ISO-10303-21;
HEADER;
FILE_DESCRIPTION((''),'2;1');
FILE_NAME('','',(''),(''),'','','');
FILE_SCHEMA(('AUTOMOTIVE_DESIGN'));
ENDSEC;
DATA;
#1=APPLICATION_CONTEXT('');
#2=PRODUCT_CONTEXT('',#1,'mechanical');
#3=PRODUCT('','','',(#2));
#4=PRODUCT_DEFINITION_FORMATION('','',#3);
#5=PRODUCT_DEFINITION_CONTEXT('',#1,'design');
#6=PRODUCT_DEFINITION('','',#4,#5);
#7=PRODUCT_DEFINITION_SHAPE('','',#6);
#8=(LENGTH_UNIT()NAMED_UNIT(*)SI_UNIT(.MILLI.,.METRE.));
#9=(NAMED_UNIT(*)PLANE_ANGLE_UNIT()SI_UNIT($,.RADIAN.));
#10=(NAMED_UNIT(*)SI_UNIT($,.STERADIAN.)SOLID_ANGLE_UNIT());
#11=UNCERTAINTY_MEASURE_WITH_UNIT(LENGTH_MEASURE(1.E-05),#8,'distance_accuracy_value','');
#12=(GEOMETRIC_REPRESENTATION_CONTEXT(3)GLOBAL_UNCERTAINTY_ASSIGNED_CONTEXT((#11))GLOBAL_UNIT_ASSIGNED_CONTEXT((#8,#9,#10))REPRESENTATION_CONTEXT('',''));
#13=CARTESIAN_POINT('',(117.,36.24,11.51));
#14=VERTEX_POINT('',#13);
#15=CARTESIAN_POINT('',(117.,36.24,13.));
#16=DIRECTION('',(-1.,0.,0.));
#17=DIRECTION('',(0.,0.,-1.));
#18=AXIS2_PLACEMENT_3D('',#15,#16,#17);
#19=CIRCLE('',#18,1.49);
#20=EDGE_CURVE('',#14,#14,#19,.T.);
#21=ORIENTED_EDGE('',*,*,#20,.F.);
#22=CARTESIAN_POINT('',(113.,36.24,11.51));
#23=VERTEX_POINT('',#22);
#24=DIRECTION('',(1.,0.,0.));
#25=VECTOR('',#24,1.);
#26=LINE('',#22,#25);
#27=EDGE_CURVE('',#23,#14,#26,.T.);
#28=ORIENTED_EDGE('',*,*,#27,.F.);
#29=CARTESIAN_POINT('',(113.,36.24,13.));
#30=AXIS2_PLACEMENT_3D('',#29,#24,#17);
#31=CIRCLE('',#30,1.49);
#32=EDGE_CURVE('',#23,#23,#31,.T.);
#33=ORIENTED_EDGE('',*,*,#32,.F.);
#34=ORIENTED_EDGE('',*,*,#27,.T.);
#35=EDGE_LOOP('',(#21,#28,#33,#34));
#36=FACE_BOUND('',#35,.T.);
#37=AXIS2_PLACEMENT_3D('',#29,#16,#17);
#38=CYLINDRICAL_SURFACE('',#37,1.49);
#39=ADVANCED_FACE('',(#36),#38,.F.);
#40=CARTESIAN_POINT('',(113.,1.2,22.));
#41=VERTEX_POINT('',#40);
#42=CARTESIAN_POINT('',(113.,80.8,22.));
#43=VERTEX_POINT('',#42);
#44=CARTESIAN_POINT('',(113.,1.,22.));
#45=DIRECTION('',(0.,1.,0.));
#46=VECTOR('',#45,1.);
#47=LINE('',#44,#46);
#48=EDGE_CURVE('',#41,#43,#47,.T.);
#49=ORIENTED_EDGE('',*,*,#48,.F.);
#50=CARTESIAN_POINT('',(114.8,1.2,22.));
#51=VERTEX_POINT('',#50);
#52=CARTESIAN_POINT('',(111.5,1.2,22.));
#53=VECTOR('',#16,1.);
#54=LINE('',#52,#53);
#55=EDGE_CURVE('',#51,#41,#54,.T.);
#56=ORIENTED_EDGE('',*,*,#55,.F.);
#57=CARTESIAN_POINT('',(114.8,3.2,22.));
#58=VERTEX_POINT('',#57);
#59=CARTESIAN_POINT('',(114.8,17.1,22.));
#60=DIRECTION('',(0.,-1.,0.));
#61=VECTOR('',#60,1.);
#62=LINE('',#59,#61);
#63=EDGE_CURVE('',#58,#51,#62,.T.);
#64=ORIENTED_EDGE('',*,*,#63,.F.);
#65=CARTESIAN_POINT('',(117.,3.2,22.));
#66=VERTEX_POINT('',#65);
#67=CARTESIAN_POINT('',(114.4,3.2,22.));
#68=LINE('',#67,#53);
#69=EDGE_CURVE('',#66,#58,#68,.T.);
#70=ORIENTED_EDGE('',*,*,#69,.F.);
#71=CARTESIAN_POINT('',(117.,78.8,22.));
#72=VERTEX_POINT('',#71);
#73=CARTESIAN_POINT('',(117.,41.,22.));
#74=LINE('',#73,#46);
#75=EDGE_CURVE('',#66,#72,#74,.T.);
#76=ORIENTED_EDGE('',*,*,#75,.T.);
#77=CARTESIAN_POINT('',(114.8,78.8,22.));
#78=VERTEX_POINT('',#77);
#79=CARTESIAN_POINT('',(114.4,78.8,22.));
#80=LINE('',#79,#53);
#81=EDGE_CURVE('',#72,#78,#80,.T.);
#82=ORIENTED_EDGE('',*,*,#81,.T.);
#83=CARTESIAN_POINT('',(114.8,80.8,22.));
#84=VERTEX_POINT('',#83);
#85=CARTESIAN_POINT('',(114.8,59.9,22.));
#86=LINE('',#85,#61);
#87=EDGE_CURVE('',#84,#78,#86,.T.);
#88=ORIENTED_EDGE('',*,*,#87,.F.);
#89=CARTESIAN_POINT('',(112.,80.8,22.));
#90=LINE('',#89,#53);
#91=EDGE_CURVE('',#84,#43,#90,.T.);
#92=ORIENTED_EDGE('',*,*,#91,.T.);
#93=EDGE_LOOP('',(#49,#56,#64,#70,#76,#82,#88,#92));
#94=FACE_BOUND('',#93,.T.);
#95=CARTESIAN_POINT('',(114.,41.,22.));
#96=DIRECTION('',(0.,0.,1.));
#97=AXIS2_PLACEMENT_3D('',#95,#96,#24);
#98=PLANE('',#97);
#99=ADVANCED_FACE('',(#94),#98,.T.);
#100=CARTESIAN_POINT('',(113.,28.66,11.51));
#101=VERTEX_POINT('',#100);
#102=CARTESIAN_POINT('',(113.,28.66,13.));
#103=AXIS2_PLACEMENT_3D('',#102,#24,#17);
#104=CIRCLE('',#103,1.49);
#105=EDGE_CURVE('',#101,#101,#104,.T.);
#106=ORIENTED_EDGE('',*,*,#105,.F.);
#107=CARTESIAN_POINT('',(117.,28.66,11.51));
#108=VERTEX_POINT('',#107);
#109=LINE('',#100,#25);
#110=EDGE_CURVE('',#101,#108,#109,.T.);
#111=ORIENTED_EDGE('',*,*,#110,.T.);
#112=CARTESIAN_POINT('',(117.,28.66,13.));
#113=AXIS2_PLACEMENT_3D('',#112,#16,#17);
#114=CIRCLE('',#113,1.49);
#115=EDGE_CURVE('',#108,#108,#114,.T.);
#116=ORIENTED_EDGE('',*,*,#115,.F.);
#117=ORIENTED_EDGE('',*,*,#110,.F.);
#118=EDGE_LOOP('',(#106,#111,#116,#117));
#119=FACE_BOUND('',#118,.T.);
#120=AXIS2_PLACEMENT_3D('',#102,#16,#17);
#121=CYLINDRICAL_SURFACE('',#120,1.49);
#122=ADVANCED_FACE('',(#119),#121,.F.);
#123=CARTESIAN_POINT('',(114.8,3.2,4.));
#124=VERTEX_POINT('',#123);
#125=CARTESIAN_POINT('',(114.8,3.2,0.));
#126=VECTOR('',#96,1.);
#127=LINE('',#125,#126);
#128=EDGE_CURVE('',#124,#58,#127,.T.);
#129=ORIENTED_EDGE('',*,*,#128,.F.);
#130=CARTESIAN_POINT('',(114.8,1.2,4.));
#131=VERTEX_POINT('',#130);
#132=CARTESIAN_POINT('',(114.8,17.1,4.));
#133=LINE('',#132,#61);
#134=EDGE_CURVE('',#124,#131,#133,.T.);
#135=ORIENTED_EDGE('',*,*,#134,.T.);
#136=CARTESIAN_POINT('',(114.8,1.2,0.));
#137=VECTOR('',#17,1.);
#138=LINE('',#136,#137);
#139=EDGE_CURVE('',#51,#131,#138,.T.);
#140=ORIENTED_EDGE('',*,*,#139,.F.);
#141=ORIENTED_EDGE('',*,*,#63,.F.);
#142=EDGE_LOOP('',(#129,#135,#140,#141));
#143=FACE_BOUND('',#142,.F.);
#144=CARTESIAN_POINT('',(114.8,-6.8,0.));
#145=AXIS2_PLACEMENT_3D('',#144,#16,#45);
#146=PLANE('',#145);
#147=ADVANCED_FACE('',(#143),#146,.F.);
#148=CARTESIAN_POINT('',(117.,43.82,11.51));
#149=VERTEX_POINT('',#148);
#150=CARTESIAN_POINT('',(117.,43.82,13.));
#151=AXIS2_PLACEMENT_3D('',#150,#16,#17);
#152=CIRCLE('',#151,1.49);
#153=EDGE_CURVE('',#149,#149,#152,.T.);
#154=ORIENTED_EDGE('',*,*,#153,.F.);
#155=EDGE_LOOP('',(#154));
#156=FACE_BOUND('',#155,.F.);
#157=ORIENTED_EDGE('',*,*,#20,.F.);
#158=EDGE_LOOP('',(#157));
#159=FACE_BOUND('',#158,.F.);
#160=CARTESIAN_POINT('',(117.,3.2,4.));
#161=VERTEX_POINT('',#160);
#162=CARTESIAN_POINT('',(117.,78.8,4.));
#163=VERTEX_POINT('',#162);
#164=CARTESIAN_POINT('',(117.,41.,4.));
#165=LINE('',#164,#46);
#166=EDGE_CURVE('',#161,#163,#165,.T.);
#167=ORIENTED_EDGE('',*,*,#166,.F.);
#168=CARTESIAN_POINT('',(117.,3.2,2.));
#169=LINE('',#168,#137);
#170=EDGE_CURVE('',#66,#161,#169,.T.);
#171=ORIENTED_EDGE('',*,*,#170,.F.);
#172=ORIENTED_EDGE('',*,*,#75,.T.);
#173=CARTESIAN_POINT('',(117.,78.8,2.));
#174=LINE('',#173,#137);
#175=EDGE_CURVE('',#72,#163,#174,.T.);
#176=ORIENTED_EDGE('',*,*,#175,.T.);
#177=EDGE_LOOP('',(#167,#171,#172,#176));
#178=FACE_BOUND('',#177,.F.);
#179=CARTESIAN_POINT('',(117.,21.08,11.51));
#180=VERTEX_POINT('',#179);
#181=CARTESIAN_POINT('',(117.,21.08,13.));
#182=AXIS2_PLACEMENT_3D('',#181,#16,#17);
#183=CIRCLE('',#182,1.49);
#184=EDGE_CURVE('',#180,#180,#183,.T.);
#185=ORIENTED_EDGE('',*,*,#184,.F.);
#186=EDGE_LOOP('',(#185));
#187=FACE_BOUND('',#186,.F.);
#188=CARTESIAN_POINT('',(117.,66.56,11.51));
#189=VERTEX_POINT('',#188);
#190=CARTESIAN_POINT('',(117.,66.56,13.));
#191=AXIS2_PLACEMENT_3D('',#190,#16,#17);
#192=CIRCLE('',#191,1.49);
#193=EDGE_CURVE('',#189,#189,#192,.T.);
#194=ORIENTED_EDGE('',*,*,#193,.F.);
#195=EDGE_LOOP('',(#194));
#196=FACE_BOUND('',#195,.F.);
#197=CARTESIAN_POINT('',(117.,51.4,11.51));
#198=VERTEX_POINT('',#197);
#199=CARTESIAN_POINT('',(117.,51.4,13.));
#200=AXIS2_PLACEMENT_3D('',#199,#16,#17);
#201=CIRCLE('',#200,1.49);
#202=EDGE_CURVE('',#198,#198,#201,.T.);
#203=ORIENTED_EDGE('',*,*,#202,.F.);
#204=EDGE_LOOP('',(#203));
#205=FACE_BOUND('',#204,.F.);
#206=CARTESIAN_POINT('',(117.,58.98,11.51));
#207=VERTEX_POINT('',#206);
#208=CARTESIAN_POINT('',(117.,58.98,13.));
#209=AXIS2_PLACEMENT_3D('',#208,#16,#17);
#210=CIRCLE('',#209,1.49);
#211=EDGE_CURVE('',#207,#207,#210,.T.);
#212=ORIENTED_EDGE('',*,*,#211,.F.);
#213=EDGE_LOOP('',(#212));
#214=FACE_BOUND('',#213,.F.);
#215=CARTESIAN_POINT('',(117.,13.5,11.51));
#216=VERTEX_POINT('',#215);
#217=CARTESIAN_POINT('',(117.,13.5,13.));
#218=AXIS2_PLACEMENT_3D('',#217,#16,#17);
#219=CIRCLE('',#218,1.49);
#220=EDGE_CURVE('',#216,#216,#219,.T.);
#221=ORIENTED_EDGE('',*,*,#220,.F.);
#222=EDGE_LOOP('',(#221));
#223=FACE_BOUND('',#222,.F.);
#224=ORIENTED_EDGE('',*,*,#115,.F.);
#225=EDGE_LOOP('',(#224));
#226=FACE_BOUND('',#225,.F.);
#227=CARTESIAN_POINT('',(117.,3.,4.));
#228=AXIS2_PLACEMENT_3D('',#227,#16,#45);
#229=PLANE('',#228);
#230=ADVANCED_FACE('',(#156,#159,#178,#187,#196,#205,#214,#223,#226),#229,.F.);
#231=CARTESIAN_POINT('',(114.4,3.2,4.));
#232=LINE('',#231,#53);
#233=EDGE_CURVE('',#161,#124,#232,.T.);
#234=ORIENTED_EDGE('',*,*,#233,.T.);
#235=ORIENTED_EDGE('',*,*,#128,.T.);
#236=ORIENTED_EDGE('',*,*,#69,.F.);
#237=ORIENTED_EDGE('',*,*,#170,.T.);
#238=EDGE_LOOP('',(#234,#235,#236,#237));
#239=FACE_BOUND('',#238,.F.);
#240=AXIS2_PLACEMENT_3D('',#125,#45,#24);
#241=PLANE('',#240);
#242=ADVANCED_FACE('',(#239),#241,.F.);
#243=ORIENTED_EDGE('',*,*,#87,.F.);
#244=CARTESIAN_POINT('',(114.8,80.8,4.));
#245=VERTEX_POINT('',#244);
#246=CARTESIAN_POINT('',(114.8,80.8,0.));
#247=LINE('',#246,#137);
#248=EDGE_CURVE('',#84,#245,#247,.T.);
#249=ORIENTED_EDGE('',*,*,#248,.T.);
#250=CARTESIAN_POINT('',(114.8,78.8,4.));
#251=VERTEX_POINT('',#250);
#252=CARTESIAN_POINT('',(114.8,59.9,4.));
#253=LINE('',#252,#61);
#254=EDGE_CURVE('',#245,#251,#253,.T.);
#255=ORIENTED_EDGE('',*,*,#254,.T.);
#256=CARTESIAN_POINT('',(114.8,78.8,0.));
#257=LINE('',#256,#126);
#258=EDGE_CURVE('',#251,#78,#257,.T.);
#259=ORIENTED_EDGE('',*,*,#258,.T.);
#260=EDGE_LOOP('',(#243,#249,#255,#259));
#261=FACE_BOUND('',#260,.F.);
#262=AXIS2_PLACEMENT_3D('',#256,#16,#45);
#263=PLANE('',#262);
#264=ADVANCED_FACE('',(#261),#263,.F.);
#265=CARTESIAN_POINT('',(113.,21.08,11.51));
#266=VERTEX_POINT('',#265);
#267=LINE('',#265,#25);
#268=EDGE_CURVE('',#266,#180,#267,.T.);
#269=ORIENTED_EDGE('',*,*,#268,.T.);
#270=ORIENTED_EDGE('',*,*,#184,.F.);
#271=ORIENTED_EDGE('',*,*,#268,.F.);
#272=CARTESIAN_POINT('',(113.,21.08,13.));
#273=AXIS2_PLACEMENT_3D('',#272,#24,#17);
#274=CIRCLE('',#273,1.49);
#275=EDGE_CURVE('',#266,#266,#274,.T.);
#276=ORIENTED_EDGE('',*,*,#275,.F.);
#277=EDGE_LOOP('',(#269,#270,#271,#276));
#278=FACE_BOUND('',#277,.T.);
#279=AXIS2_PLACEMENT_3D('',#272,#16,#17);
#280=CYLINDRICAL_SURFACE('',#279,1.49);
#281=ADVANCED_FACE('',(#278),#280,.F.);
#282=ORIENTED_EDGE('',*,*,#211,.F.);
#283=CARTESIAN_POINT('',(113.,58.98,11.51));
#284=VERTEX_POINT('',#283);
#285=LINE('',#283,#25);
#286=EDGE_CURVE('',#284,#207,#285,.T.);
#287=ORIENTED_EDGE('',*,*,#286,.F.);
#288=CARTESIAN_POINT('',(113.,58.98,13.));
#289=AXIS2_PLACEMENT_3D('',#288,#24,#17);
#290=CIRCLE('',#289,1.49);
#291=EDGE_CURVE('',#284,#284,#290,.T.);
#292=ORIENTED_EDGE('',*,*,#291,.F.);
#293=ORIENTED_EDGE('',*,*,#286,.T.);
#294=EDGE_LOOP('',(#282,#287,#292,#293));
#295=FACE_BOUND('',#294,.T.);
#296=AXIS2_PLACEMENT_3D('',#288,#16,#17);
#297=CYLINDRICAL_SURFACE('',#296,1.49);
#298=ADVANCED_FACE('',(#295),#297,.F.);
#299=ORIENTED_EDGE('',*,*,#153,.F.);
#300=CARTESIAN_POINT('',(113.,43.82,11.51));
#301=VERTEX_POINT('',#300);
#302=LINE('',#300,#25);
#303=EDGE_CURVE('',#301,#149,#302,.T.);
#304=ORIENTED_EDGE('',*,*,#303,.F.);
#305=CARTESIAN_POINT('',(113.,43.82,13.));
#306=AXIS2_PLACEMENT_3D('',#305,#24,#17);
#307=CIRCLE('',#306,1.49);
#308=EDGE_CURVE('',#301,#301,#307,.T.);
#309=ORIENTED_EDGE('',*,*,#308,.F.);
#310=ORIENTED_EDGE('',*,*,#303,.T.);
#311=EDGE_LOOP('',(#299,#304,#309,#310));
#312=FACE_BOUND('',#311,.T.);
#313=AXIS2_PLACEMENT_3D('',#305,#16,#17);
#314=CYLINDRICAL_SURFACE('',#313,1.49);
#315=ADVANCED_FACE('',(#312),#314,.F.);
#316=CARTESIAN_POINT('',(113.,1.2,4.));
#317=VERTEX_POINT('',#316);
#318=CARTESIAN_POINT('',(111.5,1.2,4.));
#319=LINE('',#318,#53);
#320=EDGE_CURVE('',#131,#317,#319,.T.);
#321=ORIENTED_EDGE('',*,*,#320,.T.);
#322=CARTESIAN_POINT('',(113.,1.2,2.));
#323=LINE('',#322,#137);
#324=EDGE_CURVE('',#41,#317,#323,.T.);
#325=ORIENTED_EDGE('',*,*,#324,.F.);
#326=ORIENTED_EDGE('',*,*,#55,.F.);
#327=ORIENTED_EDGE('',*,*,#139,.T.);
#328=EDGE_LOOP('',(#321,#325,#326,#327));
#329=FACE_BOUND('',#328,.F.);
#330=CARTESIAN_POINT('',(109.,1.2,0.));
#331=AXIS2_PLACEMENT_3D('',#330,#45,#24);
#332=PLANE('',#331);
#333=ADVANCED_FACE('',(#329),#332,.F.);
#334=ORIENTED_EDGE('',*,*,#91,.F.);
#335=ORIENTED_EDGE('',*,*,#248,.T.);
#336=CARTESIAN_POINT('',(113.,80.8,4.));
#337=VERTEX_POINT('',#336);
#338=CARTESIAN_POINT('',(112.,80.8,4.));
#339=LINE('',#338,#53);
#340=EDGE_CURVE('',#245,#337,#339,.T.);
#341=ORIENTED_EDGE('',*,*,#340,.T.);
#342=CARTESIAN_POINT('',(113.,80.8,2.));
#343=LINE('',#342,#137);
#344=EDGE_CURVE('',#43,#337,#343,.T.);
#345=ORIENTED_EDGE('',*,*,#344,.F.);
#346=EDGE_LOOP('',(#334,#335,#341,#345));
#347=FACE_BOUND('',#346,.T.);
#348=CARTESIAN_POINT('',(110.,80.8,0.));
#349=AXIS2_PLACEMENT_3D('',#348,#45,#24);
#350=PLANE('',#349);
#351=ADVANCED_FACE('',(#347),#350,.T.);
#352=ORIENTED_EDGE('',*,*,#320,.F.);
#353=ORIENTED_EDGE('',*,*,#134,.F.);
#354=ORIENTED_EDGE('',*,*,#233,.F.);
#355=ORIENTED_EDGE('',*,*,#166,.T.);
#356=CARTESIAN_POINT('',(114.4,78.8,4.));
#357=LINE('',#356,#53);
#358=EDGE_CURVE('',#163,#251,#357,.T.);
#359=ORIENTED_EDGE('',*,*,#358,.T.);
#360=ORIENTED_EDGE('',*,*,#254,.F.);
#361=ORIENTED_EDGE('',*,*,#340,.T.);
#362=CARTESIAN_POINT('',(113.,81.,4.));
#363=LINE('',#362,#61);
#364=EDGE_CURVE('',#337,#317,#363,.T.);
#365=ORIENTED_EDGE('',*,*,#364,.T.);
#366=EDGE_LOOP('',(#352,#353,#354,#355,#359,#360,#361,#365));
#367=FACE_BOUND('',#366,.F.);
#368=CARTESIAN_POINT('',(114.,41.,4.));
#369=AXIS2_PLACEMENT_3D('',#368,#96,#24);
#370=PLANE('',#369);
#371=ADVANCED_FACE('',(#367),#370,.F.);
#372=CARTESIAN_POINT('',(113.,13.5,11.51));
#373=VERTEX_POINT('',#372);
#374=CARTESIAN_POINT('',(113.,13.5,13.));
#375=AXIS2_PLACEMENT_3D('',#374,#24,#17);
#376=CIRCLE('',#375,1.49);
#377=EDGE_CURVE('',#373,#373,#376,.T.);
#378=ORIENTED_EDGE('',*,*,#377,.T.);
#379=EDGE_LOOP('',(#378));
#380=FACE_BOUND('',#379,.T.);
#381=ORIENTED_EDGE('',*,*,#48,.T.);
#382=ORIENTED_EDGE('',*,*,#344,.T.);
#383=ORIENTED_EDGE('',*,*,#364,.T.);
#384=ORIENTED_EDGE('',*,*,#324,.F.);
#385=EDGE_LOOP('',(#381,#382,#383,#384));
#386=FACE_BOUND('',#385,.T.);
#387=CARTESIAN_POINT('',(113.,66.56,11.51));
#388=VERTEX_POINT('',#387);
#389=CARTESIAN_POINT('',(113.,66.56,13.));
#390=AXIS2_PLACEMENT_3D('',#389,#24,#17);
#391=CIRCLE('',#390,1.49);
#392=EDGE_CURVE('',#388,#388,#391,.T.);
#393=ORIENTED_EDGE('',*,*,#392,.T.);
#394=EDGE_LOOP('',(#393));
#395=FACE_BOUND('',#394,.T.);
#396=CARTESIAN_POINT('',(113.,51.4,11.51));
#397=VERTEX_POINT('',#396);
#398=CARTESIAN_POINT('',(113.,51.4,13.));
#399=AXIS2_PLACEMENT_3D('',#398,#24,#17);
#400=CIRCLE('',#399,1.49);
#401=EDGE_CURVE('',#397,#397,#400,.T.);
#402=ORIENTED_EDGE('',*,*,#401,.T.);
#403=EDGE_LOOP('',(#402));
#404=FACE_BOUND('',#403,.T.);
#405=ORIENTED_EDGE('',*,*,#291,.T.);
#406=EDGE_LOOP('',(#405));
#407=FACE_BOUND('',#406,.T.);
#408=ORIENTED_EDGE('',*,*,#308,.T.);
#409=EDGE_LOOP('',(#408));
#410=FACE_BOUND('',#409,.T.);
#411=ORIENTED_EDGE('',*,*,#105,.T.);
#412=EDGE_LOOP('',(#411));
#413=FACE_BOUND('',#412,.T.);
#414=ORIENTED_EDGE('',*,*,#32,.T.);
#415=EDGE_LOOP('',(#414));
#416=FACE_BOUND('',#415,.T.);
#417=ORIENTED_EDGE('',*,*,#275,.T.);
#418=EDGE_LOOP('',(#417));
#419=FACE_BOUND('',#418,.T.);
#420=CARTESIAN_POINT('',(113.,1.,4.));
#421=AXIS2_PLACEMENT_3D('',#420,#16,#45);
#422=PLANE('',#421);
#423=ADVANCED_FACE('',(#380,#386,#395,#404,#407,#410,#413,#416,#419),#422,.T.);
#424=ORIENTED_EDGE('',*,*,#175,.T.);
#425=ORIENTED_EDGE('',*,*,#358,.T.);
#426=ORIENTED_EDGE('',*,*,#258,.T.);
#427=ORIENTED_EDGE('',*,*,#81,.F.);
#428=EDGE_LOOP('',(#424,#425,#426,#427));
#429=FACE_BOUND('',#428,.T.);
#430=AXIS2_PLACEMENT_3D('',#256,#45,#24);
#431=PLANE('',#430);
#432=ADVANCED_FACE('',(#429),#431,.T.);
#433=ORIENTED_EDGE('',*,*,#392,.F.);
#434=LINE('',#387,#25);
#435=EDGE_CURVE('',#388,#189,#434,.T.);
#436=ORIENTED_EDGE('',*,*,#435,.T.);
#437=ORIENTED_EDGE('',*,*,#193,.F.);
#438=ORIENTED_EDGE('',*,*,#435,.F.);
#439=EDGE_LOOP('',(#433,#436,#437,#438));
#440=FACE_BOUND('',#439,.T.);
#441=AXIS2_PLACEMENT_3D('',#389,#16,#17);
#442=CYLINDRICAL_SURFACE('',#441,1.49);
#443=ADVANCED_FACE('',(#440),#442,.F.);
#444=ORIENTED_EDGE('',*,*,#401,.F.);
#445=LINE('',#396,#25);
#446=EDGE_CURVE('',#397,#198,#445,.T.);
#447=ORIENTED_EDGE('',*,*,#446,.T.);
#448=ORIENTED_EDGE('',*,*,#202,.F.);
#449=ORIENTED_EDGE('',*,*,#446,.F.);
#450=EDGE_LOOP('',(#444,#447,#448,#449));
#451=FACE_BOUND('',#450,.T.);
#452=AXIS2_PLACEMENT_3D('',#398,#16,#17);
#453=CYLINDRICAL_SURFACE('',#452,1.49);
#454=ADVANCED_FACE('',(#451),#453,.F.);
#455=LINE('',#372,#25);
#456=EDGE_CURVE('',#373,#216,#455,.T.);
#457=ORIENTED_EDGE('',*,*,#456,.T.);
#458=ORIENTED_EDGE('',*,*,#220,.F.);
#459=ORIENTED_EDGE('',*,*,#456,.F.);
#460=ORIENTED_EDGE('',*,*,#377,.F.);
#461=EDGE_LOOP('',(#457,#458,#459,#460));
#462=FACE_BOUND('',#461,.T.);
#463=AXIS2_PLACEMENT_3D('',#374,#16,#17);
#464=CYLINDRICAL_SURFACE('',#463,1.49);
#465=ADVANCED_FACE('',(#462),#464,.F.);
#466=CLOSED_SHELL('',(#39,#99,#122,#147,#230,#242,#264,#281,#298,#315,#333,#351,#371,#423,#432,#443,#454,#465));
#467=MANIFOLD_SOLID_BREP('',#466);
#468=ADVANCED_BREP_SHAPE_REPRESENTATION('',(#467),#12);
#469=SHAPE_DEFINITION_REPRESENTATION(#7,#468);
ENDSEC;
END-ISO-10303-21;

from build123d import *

# Parameters (mm, degrees)
CYLINDER006_R     = 1.49
CYLINDER006_DEPTH = 10
ARRAY015_Y_COUNT  = 8
ARRAY015_Y_PITCH  = 7.58
BOX051_W          = 10
BOX051_H          = 10
BOX051_DEPTH      = 31
BOX050_W          = 10
BOX050_H          = 10
BOX050_DEPTH      = 30
BOX049_W          = 10
BOX049_H          = 10
BOX049_DEPTH      = 25
BOX048_W          = 10
BOX048_H          = 10
BOX048_DEPTH      = 25
BOX046_W          = 2
BOX046_H          = 80
BOX046_DEPTH      = 18
BOX047_W          = 4
BOX047_H          = 76
BOX047_DEPTH      = 18


with BuildPart() as array015:
    # Cylinder006 → Cylinder006 (new body)
    with BuildSketch(Plane(origin=(143, 6, 13), x_dir=(0, 0, -1), z_dir=(1, 0, 0))):
        Circle(CYLINDER006_R)
    extrude(amount=CYLINDER006_DEPTH)

    # Array015 Y: Array015 ×8


with BuildPart() as array015_1:
    add(array015.part)
    with Locations(*[(0, i * ARRAY015_Y_PITCH, 0) for i in range(1, ARRAY015_Y_COUNT)]):
        add(array015.part)


with BuildPart() as array015_2:
    # Array015 placement: moved
    add(array015_1.part.moved(Location((-30, 7.5, 0))))


with BuildPart() as w_rfel037:
    # Box051 → Box051 (new body)
    with BuildSketch(Plane(origin=(110, 80.8, 0), x_dir=(1, 0, 0), z_dir=(0, 0, 1))):
        with Locations((5, 5)):
            Rectangle(BOX051_W, BOX051_H)
    extrude(amount=BOX051_DEPTH)


with BuildPart() as w_rfel036:
    # Box050 → Box050 (new body)
    with BuildSketch(Plane(origin=(109, -8.8, 0), x_dir=(1, 0, 0), z_dir=(0, 0, 1))):
        with Locations((5, 5)):
            Rectangle(BOX050_W, BOX050_H)
    extrude(amount=BOX050_DEPTH)


with BuildPart() as w_rfel035:
    # Box049 → Box049 (new body)
    with BuildSketch(Plane(origin=(114.8, 78.8, 0), x_dir=(1, 0, 0), z_dir=(0, 0, 1))):
        with Locations((5, 5)):
            Rectangle(BOX049_W, BOX049_H)
    extrude(amount=BOX049_DEPTH)


with BuildPart() as w_rfel034:
    # Box048 → Box048 (new body)
    with BuildSketch(Plane(origin=(114.8, -6.8, 0), x_dir=(1, 0, 0), z_dir=(0, 0, 1))):
        with Locations((5, 5)):
            Rectangle(BOX048_W, BOX048_H)
    extrude(amount=BOX048_DEPTH)


with BuildPart() as f_hrung003:
    # Box046 → Box046 (new body)
    with BuildSketch(Plane(origin=(113, 1, 23), x_dir=(1, 0, 0), z_dir=(0, 0, 1))):
        with Locations((1, 40)):
            Rectangle(BOX046_W, BOX046_H)
    extrude(amount=BOX046_DEPTH)


with BuildPart() as cut051:
    # Box047 → Box047 (new body)
    with BuildSketch(Plane(origin=(113, 3, 23), x_dir=(1, 0, 0), z_dir=(0, 0, 1))):
        with Locations((2, 38)):
            Rectangle(BOX047_W, BOX047_H)
    extrude(amount=BOX047_DEPTH)

    # Fusion008031: union Führung003
    add(f_hrung003.part)


with BuildPart() as cut051_1:
    # Fusion008031 placement: moved
    add(cut051.part.moved(Location((0, 0, -19))))

    # Cut047: cut Würfel034
    add(w_rfel034.part, mode=Mode.SUBTRACT)

    # Cut048: cut Würfel035
    add(w_rfel035.part, mode=Mode.SUBTRACT)

    # Cut049: cut Würfel036
    add(w_rfel036.part, mode=Mode.SUBTRACT)

    # Cut050: cut Würfel037
    add(w_rfel037.part, mode=Mode.SUBTRACT)

    # Cut051: cut Array015
    add(array015_2.part, mode=Mode.SUBTRACT)


solid = cut051_1.part
